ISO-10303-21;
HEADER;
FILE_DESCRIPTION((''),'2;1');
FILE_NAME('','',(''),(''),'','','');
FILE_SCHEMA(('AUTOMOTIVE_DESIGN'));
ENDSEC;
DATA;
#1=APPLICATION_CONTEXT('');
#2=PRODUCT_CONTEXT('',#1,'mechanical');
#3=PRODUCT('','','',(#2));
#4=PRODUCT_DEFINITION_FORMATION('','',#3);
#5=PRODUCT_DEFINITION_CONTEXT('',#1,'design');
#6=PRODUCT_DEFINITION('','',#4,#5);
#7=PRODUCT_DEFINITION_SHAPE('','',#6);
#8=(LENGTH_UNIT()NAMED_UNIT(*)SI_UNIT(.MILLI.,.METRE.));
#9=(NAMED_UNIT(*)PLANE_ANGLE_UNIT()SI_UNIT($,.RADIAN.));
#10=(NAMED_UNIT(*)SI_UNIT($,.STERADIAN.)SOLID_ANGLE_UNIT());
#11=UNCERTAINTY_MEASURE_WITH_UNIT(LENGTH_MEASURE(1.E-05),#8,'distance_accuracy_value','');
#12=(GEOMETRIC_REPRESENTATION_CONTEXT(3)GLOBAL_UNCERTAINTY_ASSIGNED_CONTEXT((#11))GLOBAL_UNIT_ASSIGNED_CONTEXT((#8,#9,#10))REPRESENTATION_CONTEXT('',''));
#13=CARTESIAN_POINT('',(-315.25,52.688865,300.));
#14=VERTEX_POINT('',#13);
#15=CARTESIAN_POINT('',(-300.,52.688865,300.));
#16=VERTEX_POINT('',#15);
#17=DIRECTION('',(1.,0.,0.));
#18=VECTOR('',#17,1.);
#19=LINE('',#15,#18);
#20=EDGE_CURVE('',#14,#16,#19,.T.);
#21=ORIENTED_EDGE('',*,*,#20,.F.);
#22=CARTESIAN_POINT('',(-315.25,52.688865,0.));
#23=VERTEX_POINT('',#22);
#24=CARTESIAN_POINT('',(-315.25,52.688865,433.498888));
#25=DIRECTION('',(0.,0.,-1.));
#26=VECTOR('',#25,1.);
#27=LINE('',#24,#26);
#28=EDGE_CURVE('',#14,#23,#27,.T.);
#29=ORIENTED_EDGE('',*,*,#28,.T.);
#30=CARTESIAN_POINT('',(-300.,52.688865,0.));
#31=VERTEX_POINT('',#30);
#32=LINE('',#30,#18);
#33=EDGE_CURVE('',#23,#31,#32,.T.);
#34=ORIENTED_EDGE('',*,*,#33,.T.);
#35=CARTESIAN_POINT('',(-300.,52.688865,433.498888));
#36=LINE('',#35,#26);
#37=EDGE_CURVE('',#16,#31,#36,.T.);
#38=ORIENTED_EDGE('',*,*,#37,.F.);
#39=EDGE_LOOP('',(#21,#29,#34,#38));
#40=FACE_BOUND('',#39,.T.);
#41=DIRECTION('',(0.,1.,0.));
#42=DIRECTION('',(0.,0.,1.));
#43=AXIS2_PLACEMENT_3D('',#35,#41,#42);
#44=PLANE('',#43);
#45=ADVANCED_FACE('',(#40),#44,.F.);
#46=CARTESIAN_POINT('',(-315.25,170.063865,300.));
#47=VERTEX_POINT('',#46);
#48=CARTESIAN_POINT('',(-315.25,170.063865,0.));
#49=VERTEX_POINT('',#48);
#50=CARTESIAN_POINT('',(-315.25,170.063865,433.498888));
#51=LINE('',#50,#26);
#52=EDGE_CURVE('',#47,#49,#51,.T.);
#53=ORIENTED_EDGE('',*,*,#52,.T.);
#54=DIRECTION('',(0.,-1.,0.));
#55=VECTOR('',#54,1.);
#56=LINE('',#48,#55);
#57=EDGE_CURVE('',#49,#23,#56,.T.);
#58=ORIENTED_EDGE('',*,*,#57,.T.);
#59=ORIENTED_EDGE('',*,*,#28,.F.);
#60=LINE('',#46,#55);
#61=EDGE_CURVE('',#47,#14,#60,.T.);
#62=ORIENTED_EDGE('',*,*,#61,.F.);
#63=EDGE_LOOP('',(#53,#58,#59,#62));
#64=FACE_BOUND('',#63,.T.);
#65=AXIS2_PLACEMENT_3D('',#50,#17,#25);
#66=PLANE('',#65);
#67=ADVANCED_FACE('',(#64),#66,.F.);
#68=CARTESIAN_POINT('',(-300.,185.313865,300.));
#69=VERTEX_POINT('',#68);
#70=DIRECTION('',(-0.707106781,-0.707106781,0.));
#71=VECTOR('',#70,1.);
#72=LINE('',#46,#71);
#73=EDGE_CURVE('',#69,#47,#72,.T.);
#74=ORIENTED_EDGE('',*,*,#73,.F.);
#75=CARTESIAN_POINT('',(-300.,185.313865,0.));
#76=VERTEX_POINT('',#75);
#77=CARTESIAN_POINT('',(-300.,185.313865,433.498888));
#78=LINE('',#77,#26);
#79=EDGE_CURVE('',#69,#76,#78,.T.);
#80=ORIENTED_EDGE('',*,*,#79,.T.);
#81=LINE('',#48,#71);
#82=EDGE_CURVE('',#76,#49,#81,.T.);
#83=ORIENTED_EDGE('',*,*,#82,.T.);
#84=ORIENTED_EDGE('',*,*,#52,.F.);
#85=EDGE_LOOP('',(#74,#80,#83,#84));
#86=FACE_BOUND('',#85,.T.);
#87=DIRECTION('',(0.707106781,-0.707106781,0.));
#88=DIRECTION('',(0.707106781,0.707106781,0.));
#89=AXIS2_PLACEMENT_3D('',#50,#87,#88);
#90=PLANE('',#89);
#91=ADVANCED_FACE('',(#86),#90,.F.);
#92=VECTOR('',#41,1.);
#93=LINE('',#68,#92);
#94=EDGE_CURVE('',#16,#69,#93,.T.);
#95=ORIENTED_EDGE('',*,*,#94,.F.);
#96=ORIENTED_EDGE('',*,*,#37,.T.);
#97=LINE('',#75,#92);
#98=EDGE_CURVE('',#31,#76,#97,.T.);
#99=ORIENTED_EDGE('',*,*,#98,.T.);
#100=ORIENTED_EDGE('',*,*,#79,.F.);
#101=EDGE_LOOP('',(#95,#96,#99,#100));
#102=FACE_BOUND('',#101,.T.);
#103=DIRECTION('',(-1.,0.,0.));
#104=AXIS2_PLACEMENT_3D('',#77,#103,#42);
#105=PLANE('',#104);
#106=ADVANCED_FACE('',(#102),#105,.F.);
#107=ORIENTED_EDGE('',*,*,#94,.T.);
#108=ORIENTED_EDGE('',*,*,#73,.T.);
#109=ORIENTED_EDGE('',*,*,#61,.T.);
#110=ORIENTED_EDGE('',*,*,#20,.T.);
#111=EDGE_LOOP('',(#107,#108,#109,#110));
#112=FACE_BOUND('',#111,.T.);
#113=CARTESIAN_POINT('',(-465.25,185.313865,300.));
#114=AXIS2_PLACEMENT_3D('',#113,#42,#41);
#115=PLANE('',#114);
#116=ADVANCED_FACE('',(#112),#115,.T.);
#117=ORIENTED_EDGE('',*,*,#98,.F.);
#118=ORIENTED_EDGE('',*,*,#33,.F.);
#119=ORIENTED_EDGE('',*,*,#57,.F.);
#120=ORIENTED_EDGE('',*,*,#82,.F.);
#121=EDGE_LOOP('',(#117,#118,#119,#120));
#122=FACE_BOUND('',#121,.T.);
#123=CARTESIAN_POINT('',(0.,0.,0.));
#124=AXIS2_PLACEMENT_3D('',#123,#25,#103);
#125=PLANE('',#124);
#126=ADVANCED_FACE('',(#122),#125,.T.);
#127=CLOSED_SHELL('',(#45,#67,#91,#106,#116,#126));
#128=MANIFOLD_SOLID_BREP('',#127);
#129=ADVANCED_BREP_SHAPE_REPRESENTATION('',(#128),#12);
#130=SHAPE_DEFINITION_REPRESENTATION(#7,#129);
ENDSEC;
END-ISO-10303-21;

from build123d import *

# Parameters (mm, degrees)
BOSS_EXTRU_1_DEPTH = 300


with BuildPart() as part:
    # Esquisse1 → Boss.-Extru.1 (new body)
    with BuildSketch(Plane.XY):
        Polygon((-300, 185.313864629), (-300, 52.688864629), (-315.25, 52.688864629), (-315.25, 170.063864629), align=None)
    extrude(amount=BOSS_EXTRU_1_DEPTH)


solid = part.part
